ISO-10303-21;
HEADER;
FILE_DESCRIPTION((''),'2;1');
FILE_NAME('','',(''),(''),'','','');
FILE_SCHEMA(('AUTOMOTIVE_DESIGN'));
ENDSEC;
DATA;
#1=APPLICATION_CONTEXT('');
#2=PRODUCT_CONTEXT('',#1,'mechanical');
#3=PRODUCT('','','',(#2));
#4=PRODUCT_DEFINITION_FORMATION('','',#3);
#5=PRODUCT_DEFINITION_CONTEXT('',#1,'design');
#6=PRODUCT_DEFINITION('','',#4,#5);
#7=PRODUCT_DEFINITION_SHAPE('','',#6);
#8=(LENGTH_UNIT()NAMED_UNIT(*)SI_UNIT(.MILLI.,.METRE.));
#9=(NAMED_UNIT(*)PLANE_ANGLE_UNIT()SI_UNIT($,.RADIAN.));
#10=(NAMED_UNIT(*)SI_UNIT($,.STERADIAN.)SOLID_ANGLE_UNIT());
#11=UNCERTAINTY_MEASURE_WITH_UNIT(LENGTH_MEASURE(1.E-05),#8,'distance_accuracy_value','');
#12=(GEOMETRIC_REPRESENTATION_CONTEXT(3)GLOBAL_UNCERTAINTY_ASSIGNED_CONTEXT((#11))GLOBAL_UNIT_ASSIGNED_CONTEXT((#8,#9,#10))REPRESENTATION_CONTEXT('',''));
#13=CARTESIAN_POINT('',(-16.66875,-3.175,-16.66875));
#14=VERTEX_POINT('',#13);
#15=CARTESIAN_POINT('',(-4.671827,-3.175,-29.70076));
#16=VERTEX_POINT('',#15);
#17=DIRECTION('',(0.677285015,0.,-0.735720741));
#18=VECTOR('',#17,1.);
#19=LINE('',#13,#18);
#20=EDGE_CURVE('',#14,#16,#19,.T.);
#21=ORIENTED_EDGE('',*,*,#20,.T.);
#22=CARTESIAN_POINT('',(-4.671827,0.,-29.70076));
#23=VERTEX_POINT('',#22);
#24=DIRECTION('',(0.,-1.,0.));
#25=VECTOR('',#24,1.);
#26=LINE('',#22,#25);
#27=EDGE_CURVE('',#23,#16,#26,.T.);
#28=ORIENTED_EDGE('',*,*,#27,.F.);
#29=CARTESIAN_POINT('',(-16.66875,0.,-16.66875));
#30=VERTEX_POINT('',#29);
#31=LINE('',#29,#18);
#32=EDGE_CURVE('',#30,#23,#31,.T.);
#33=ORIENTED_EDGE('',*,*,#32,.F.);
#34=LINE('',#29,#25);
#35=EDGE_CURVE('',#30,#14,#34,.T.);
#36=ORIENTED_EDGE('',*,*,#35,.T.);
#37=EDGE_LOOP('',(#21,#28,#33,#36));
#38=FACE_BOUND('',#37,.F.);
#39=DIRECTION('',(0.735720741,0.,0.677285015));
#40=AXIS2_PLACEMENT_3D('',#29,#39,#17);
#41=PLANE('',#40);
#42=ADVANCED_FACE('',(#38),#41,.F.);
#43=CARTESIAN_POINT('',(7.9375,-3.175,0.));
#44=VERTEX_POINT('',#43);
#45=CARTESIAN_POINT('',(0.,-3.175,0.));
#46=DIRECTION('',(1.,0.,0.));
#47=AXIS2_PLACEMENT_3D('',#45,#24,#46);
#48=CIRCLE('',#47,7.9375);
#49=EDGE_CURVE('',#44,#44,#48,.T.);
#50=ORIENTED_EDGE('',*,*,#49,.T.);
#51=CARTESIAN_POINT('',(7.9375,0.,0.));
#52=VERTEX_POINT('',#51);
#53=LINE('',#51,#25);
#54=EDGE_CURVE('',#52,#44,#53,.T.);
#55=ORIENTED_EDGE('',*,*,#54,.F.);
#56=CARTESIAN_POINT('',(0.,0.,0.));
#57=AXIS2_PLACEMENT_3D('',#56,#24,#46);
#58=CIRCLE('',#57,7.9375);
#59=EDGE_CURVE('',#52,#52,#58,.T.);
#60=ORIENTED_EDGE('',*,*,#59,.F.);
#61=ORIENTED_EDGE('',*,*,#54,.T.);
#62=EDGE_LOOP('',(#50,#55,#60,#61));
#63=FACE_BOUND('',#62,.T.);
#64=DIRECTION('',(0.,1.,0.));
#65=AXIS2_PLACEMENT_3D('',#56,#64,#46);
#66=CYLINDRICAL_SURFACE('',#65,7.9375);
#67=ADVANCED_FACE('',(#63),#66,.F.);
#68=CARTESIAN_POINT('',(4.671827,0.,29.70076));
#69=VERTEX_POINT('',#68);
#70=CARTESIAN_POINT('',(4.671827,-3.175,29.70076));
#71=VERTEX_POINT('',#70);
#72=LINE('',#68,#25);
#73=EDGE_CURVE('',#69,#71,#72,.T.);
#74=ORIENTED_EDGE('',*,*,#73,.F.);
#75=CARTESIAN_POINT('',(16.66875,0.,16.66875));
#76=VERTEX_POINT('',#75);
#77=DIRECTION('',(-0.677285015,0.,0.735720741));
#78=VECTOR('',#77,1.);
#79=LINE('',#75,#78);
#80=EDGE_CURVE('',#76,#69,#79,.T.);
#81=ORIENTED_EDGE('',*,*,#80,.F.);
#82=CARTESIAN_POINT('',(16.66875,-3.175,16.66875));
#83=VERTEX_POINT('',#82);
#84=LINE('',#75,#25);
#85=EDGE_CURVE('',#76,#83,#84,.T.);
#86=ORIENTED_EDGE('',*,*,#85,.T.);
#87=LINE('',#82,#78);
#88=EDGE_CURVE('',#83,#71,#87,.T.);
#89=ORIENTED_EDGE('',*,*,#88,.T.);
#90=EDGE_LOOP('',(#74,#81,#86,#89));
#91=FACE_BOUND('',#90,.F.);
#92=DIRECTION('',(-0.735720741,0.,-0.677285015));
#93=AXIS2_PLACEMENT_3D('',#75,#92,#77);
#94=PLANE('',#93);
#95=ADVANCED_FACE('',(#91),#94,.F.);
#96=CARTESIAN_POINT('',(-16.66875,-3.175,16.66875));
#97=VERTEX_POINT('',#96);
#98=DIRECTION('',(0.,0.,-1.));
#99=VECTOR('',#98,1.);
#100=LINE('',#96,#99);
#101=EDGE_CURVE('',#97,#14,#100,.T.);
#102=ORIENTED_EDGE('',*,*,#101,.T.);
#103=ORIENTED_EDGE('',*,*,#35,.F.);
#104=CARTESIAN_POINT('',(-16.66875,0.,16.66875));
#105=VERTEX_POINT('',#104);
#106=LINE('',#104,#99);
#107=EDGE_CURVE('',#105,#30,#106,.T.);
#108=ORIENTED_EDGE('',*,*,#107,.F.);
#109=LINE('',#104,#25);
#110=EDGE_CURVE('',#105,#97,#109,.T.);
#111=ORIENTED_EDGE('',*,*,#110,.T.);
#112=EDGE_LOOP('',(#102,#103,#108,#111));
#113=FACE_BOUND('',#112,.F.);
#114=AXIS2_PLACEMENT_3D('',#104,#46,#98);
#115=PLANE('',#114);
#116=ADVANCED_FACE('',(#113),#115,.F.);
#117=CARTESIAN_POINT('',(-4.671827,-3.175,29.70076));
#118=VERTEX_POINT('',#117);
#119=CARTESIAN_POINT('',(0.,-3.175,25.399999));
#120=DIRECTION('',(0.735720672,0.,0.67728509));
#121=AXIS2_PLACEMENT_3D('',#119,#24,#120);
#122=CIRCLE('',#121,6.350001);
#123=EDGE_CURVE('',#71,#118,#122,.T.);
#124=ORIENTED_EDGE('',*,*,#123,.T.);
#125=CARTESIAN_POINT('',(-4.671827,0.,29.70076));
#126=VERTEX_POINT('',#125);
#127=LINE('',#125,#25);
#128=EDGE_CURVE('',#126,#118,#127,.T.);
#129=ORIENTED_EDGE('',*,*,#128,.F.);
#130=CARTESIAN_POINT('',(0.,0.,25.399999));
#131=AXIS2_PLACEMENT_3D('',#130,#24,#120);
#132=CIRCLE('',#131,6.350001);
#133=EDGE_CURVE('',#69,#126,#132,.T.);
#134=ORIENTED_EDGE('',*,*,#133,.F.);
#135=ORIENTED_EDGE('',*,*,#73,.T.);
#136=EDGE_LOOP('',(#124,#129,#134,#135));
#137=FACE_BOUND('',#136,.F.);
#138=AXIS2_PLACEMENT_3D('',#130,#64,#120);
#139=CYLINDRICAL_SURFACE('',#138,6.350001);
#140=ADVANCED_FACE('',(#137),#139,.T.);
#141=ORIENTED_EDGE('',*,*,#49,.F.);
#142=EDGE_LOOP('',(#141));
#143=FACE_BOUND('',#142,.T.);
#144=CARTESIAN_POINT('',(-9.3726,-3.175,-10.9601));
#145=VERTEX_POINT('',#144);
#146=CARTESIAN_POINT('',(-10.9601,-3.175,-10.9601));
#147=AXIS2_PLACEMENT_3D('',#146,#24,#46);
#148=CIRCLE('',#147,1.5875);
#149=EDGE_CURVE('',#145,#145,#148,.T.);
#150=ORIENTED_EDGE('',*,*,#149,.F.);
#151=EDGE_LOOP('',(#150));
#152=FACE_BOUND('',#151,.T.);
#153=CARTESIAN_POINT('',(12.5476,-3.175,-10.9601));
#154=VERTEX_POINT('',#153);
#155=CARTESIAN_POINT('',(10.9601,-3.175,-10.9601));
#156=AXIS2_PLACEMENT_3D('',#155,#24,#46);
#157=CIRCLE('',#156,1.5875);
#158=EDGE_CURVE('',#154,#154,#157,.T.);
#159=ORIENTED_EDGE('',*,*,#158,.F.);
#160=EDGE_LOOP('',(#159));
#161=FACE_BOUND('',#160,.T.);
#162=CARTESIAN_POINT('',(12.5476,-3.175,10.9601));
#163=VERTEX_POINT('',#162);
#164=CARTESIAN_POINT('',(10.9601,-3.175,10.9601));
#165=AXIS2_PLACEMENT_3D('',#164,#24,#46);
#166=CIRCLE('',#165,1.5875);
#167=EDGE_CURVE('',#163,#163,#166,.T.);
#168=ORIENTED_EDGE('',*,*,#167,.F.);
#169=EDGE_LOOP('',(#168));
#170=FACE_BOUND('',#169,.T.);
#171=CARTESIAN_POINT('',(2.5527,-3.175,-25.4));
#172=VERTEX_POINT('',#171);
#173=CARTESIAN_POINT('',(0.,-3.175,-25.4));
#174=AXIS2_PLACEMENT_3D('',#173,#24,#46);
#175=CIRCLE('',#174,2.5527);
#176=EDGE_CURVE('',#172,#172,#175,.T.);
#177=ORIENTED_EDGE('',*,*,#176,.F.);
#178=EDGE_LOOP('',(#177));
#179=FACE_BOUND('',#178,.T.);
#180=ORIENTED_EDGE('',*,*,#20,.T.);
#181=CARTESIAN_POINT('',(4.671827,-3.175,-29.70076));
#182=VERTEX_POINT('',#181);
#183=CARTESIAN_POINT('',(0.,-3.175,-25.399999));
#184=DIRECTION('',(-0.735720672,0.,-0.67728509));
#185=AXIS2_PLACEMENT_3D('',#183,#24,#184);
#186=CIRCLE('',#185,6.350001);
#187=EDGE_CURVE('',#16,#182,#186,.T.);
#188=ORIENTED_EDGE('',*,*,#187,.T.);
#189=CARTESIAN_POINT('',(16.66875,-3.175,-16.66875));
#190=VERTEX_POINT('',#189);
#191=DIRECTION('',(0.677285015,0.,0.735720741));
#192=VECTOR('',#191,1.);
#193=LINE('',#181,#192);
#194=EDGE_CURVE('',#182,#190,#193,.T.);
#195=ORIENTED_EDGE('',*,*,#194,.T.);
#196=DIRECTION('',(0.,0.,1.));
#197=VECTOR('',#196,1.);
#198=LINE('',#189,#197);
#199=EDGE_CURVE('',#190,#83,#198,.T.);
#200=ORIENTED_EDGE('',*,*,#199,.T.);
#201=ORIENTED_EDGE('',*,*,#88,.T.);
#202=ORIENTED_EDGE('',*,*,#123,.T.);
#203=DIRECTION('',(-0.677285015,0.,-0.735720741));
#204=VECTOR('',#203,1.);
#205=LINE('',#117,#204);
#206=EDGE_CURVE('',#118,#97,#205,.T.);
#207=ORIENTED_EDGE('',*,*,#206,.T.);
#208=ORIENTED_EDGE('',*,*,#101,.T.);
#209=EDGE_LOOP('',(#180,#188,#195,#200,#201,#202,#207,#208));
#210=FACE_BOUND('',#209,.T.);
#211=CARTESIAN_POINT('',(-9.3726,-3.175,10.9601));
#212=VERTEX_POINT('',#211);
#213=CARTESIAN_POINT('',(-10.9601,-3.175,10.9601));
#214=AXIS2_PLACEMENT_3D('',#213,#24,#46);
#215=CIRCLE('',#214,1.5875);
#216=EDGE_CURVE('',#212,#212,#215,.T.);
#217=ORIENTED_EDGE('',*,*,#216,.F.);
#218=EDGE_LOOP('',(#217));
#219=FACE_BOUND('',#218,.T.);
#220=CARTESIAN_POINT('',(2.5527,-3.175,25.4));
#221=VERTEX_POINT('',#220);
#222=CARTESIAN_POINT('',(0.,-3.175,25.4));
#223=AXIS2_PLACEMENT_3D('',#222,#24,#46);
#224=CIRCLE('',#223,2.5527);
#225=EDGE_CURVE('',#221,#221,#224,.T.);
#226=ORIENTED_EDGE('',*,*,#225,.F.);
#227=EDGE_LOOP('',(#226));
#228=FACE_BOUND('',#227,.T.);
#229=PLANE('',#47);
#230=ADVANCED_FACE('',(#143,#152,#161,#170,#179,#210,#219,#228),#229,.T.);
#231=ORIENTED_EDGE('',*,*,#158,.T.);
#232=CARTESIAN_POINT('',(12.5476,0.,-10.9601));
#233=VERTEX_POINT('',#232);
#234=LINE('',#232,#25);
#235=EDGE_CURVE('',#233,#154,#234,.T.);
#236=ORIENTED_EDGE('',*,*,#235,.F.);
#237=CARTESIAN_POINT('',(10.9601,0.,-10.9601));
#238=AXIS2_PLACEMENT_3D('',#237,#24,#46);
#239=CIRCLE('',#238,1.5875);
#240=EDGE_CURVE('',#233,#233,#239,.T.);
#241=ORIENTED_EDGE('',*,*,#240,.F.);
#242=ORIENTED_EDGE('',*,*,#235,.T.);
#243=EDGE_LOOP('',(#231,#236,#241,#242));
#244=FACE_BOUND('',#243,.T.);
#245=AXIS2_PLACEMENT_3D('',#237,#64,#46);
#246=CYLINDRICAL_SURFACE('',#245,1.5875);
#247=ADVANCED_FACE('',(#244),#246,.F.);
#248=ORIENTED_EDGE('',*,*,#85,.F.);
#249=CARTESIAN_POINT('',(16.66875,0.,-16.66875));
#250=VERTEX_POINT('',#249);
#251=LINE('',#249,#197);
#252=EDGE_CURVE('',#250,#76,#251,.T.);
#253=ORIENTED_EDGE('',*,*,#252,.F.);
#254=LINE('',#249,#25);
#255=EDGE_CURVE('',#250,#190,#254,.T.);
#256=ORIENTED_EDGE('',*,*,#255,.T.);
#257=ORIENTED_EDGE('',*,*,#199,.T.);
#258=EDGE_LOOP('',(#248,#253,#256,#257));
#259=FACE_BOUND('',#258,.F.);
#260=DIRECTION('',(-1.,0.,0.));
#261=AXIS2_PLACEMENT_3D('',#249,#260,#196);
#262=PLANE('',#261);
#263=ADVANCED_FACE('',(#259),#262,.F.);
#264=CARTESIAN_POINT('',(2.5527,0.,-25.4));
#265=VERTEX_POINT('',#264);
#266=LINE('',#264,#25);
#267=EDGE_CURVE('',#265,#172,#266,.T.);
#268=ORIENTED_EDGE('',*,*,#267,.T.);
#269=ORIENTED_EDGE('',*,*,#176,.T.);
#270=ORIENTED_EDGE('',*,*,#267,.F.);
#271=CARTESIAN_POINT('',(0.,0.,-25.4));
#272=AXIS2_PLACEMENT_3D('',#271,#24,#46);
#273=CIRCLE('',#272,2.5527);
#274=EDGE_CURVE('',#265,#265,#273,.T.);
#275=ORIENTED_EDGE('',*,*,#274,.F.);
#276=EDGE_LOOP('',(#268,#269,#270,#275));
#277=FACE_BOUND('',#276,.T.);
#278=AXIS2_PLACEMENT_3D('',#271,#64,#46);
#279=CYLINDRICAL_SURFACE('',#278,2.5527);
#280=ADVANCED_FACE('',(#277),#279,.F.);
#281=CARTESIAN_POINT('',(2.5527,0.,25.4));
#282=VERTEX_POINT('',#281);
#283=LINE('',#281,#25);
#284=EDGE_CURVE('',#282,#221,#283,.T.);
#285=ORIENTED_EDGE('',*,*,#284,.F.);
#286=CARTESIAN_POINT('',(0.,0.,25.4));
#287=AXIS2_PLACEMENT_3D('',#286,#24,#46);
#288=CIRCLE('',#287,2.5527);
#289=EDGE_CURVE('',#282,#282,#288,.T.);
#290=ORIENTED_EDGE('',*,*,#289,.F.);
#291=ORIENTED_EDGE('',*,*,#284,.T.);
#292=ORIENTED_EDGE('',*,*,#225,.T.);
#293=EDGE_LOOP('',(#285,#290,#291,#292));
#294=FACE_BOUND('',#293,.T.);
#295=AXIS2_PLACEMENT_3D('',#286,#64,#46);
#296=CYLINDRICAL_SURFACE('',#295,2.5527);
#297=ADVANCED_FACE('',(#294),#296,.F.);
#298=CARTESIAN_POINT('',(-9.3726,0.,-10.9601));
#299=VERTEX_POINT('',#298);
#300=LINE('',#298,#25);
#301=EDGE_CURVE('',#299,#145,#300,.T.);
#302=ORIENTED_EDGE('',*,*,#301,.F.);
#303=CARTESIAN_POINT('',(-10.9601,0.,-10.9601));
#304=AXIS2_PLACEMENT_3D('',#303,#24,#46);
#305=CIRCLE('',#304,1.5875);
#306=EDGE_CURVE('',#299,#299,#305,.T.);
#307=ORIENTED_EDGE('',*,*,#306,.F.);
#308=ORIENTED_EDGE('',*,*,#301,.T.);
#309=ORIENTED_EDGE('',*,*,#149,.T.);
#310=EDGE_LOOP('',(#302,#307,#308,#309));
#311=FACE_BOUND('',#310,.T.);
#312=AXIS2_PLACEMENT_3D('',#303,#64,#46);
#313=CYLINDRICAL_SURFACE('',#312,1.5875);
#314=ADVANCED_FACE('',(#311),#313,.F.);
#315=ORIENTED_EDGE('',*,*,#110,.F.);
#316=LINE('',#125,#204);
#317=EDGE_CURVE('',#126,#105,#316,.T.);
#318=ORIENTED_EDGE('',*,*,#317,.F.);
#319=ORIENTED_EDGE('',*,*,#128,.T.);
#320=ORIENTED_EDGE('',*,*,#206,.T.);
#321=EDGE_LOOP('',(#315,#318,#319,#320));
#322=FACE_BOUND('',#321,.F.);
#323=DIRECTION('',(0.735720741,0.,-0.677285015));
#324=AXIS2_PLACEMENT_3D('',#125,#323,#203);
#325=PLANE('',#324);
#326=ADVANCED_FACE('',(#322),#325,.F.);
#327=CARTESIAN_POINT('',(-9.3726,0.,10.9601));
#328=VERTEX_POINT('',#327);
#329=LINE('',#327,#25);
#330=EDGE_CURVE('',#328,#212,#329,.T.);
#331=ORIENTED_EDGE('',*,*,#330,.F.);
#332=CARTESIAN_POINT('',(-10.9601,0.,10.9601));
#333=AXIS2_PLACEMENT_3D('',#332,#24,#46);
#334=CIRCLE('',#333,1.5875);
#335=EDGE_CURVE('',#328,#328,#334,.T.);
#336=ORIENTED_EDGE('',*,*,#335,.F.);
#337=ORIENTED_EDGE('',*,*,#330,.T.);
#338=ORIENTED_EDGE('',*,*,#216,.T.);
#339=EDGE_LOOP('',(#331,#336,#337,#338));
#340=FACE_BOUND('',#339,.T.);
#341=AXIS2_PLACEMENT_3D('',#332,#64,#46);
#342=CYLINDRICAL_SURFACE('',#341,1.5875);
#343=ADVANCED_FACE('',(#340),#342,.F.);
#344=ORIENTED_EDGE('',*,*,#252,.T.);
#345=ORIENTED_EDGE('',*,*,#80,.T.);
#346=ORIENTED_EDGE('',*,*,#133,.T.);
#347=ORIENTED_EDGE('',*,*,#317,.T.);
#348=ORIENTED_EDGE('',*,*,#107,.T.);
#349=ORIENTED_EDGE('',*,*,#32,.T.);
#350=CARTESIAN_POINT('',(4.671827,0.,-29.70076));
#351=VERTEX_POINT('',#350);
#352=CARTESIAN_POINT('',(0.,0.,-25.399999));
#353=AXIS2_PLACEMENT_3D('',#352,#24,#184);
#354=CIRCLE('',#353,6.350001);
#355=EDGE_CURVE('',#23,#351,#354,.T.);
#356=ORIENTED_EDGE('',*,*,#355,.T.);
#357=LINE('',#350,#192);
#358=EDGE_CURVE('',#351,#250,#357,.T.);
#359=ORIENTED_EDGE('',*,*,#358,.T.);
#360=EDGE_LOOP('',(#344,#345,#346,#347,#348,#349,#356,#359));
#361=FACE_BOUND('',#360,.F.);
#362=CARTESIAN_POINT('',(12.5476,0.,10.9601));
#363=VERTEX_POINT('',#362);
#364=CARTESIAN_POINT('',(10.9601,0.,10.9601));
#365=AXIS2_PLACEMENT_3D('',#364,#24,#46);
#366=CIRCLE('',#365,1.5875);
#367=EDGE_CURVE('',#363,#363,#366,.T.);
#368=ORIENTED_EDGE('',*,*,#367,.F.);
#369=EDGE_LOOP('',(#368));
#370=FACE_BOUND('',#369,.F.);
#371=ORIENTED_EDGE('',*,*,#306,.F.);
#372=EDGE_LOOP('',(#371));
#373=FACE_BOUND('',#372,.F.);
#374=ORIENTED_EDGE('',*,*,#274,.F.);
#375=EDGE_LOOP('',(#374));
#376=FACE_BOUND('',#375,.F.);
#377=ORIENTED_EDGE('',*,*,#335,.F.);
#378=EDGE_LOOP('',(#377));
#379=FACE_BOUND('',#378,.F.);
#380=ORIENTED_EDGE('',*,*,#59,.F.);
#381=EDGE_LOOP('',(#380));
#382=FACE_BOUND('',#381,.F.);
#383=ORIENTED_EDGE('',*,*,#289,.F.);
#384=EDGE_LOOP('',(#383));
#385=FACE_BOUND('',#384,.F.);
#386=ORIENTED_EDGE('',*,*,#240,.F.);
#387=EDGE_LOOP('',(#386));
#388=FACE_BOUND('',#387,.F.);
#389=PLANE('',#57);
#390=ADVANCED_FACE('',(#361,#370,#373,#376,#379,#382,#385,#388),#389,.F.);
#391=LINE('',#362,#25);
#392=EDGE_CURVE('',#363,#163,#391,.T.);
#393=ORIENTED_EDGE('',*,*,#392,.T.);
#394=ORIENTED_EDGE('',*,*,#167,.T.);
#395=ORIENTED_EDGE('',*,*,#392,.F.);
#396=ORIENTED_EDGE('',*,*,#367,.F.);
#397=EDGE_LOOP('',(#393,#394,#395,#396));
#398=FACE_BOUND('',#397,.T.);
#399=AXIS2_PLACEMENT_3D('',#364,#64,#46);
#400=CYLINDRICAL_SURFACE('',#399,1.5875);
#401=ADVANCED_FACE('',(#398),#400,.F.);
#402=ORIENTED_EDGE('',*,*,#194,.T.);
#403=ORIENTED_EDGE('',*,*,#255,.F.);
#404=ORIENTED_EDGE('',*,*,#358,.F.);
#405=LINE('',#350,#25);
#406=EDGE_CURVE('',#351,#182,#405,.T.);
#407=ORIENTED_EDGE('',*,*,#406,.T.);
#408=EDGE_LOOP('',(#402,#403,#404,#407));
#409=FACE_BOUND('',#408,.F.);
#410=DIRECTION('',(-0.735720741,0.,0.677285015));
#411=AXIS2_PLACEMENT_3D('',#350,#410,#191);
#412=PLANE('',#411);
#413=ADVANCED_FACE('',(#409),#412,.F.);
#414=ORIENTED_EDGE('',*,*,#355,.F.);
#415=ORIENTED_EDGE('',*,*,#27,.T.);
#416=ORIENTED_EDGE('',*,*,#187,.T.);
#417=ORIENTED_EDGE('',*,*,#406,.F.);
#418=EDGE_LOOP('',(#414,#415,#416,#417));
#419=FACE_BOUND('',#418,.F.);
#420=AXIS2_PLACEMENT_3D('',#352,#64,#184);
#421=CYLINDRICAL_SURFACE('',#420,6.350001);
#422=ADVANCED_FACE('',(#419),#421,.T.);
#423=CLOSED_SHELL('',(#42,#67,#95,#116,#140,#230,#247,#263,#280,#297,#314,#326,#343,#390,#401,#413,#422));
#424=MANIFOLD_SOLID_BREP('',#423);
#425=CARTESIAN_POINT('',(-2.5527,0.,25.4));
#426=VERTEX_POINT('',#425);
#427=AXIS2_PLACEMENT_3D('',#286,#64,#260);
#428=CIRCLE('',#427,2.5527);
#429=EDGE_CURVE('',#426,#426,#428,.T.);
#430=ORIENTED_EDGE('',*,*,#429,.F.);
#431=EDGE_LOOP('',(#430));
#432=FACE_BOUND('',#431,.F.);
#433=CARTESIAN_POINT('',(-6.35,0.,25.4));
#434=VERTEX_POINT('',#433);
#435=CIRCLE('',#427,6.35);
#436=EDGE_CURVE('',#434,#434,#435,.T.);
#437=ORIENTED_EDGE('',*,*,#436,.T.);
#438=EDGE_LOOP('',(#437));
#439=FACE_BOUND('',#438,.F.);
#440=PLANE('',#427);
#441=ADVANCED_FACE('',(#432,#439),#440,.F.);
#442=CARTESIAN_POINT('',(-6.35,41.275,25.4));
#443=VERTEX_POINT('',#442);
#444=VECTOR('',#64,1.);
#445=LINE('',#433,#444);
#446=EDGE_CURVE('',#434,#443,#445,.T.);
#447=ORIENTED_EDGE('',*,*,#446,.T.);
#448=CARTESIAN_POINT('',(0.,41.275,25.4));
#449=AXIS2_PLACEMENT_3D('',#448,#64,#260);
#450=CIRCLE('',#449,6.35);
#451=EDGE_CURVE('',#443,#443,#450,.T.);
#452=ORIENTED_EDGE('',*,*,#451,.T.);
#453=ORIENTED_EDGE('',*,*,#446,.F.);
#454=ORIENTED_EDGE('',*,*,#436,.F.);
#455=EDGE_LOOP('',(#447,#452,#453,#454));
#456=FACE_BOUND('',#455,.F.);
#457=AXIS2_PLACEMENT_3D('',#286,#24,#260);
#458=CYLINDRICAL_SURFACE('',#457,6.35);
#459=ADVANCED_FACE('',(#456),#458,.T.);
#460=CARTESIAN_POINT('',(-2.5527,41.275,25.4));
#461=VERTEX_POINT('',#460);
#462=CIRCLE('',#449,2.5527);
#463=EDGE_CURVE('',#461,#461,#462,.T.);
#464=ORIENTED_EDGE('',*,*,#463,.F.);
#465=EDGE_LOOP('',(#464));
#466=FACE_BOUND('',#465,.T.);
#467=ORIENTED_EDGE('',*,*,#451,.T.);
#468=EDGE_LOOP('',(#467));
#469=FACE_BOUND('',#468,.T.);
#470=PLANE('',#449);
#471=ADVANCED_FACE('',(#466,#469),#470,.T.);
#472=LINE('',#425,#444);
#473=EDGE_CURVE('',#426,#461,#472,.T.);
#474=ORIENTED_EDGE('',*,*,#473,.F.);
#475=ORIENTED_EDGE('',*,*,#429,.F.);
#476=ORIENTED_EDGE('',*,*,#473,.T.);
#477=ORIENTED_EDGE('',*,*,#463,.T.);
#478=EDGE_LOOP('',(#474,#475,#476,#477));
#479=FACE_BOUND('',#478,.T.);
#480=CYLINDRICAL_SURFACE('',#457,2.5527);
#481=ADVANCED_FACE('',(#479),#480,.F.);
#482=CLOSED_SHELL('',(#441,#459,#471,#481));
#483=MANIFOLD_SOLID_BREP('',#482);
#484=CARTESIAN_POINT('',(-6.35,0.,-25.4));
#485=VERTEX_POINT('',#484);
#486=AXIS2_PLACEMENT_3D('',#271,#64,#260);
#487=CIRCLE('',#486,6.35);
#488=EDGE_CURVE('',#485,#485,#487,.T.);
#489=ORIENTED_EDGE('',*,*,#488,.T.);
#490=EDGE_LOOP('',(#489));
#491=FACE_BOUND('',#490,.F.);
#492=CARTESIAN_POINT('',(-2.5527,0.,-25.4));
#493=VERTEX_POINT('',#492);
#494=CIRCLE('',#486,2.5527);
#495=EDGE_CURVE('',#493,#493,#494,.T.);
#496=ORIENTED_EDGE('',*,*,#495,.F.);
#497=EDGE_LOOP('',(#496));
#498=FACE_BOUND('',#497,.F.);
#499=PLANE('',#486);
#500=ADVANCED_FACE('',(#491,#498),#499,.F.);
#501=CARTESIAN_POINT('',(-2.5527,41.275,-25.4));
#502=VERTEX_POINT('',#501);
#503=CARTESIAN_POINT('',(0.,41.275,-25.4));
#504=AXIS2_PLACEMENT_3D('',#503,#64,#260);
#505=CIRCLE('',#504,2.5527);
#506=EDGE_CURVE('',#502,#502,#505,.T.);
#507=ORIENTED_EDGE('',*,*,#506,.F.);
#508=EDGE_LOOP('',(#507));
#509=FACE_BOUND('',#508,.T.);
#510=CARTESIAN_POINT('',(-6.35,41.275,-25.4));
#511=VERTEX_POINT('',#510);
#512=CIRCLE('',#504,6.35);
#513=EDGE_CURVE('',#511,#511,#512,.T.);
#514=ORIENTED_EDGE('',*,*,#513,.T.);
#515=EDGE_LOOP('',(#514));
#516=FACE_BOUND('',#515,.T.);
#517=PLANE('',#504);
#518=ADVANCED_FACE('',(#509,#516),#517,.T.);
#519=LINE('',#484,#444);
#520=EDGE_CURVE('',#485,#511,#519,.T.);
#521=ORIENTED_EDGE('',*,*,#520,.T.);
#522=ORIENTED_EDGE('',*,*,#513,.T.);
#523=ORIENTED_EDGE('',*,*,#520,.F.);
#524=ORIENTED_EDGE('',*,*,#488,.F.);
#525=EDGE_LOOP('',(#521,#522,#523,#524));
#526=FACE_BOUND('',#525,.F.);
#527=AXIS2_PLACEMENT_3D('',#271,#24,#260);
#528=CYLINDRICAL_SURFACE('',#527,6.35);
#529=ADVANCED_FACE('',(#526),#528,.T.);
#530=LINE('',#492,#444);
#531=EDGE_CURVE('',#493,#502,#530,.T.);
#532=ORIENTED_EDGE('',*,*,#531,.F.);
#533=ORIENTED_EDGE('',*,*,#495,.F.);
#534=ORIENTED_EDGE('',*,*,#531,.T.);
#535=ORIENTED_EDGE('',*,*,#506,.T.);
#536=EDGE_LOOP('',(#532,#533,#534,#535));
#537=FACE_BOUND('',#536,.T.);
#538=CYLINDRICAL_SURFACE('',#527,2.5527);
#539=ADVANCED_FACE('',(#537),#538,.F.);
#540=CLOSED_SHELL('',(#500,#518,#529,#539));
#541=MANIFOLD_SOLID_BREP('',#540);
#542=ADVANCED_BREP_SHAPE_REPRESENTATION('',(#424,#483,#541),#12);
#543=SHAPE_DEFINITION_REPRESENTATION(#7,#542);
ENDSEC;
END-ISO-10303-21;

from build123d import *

# Parameters (mm, degrees)
F0_R     = 2.5527
F0_R_2   = 1.5875
F0_R_3   = 7.9375
F1_DEPTH = 3.175
F2_R     = 6.35
F2_R_2   = 2.5527
F3_DEPTH = 41.275


with BuildPart() as f1:
    # F0 (on Front) → F1 (new body)
    with BuildSketch(Plane.XZ):
        with BuildLine():
            ThreePointArc((4.671827, 29.70076), (0, 31.75), (-4.671827, 29.70076))
            Line((-4.671827, 29.70076), (-16.66875, 16.66875))
            Line((-16.66875, 16.66875), (-16.66875, -16.66875))
            Line((-16.66875, -16.66875), (-4.671827, -29.70076))
            ThreePointArc((-4.671827, -29.70076), (0, -31.75), (4.671827, -29.70076))
            Line((4.671827, -29.70076), (16.66875, -16.66875))
            Line((16.66875, -16.66875), (16.66875, 16.66875))
            Line((16.66875, 16.66875), (4.671827, 29.70076))
        make_face()
        with Locations((0, -25.4)):
            Circle(F0_R, mode=Mode.SUBTRACT)
        with Locations((-10.9601, -10.9601)):
            Circle(F0_R_2, mode=Mode.SUBTRACT)
        with Locations((10.9601, -10.9601)):
            Circle(F0_R_2, mode=Mode.SUBTRACT)
        with Locations((-10.9601, 10.9601)):
            Circle(F0_R_2, mode=Mode.SUBTRACT)
        Circle(F0_R_3, mode=Mode.SUBTRACT)
        with Locations((0, 25.4)):
            Circle(F0_R, mode=Mode.SUBTRACT)
        with Locations((10.9601, 10.9601)):
            Circle(F0_R_2, mode=Mode.SUBTRACT)
    extrude(amount=F1_DEPTH)


with BuildPart() as f3:
    # F2 (on face) → F3 (new body)
    with BuildSketch(Plane(origin=(0, 0, 0), x_dir=(-1, 0, 0), z_dir=(0, 1, 0))):
        with Locations((0, 25.4)):
            Circle(F2_R)
        with Locations((0, 25.4)):
            Circle(F2_R_2, mode=Mode.SUBTRACT)
        with Locations((0, -25.4)):
            Circle(F2_R)
        with Locations((0, -25.4)):
            Circle(F2_R_2, mode=Mode.SUBTRACT)
    extrude(amount=F3_DEPTH)


solid = Compound([f1.part, f3.part])
